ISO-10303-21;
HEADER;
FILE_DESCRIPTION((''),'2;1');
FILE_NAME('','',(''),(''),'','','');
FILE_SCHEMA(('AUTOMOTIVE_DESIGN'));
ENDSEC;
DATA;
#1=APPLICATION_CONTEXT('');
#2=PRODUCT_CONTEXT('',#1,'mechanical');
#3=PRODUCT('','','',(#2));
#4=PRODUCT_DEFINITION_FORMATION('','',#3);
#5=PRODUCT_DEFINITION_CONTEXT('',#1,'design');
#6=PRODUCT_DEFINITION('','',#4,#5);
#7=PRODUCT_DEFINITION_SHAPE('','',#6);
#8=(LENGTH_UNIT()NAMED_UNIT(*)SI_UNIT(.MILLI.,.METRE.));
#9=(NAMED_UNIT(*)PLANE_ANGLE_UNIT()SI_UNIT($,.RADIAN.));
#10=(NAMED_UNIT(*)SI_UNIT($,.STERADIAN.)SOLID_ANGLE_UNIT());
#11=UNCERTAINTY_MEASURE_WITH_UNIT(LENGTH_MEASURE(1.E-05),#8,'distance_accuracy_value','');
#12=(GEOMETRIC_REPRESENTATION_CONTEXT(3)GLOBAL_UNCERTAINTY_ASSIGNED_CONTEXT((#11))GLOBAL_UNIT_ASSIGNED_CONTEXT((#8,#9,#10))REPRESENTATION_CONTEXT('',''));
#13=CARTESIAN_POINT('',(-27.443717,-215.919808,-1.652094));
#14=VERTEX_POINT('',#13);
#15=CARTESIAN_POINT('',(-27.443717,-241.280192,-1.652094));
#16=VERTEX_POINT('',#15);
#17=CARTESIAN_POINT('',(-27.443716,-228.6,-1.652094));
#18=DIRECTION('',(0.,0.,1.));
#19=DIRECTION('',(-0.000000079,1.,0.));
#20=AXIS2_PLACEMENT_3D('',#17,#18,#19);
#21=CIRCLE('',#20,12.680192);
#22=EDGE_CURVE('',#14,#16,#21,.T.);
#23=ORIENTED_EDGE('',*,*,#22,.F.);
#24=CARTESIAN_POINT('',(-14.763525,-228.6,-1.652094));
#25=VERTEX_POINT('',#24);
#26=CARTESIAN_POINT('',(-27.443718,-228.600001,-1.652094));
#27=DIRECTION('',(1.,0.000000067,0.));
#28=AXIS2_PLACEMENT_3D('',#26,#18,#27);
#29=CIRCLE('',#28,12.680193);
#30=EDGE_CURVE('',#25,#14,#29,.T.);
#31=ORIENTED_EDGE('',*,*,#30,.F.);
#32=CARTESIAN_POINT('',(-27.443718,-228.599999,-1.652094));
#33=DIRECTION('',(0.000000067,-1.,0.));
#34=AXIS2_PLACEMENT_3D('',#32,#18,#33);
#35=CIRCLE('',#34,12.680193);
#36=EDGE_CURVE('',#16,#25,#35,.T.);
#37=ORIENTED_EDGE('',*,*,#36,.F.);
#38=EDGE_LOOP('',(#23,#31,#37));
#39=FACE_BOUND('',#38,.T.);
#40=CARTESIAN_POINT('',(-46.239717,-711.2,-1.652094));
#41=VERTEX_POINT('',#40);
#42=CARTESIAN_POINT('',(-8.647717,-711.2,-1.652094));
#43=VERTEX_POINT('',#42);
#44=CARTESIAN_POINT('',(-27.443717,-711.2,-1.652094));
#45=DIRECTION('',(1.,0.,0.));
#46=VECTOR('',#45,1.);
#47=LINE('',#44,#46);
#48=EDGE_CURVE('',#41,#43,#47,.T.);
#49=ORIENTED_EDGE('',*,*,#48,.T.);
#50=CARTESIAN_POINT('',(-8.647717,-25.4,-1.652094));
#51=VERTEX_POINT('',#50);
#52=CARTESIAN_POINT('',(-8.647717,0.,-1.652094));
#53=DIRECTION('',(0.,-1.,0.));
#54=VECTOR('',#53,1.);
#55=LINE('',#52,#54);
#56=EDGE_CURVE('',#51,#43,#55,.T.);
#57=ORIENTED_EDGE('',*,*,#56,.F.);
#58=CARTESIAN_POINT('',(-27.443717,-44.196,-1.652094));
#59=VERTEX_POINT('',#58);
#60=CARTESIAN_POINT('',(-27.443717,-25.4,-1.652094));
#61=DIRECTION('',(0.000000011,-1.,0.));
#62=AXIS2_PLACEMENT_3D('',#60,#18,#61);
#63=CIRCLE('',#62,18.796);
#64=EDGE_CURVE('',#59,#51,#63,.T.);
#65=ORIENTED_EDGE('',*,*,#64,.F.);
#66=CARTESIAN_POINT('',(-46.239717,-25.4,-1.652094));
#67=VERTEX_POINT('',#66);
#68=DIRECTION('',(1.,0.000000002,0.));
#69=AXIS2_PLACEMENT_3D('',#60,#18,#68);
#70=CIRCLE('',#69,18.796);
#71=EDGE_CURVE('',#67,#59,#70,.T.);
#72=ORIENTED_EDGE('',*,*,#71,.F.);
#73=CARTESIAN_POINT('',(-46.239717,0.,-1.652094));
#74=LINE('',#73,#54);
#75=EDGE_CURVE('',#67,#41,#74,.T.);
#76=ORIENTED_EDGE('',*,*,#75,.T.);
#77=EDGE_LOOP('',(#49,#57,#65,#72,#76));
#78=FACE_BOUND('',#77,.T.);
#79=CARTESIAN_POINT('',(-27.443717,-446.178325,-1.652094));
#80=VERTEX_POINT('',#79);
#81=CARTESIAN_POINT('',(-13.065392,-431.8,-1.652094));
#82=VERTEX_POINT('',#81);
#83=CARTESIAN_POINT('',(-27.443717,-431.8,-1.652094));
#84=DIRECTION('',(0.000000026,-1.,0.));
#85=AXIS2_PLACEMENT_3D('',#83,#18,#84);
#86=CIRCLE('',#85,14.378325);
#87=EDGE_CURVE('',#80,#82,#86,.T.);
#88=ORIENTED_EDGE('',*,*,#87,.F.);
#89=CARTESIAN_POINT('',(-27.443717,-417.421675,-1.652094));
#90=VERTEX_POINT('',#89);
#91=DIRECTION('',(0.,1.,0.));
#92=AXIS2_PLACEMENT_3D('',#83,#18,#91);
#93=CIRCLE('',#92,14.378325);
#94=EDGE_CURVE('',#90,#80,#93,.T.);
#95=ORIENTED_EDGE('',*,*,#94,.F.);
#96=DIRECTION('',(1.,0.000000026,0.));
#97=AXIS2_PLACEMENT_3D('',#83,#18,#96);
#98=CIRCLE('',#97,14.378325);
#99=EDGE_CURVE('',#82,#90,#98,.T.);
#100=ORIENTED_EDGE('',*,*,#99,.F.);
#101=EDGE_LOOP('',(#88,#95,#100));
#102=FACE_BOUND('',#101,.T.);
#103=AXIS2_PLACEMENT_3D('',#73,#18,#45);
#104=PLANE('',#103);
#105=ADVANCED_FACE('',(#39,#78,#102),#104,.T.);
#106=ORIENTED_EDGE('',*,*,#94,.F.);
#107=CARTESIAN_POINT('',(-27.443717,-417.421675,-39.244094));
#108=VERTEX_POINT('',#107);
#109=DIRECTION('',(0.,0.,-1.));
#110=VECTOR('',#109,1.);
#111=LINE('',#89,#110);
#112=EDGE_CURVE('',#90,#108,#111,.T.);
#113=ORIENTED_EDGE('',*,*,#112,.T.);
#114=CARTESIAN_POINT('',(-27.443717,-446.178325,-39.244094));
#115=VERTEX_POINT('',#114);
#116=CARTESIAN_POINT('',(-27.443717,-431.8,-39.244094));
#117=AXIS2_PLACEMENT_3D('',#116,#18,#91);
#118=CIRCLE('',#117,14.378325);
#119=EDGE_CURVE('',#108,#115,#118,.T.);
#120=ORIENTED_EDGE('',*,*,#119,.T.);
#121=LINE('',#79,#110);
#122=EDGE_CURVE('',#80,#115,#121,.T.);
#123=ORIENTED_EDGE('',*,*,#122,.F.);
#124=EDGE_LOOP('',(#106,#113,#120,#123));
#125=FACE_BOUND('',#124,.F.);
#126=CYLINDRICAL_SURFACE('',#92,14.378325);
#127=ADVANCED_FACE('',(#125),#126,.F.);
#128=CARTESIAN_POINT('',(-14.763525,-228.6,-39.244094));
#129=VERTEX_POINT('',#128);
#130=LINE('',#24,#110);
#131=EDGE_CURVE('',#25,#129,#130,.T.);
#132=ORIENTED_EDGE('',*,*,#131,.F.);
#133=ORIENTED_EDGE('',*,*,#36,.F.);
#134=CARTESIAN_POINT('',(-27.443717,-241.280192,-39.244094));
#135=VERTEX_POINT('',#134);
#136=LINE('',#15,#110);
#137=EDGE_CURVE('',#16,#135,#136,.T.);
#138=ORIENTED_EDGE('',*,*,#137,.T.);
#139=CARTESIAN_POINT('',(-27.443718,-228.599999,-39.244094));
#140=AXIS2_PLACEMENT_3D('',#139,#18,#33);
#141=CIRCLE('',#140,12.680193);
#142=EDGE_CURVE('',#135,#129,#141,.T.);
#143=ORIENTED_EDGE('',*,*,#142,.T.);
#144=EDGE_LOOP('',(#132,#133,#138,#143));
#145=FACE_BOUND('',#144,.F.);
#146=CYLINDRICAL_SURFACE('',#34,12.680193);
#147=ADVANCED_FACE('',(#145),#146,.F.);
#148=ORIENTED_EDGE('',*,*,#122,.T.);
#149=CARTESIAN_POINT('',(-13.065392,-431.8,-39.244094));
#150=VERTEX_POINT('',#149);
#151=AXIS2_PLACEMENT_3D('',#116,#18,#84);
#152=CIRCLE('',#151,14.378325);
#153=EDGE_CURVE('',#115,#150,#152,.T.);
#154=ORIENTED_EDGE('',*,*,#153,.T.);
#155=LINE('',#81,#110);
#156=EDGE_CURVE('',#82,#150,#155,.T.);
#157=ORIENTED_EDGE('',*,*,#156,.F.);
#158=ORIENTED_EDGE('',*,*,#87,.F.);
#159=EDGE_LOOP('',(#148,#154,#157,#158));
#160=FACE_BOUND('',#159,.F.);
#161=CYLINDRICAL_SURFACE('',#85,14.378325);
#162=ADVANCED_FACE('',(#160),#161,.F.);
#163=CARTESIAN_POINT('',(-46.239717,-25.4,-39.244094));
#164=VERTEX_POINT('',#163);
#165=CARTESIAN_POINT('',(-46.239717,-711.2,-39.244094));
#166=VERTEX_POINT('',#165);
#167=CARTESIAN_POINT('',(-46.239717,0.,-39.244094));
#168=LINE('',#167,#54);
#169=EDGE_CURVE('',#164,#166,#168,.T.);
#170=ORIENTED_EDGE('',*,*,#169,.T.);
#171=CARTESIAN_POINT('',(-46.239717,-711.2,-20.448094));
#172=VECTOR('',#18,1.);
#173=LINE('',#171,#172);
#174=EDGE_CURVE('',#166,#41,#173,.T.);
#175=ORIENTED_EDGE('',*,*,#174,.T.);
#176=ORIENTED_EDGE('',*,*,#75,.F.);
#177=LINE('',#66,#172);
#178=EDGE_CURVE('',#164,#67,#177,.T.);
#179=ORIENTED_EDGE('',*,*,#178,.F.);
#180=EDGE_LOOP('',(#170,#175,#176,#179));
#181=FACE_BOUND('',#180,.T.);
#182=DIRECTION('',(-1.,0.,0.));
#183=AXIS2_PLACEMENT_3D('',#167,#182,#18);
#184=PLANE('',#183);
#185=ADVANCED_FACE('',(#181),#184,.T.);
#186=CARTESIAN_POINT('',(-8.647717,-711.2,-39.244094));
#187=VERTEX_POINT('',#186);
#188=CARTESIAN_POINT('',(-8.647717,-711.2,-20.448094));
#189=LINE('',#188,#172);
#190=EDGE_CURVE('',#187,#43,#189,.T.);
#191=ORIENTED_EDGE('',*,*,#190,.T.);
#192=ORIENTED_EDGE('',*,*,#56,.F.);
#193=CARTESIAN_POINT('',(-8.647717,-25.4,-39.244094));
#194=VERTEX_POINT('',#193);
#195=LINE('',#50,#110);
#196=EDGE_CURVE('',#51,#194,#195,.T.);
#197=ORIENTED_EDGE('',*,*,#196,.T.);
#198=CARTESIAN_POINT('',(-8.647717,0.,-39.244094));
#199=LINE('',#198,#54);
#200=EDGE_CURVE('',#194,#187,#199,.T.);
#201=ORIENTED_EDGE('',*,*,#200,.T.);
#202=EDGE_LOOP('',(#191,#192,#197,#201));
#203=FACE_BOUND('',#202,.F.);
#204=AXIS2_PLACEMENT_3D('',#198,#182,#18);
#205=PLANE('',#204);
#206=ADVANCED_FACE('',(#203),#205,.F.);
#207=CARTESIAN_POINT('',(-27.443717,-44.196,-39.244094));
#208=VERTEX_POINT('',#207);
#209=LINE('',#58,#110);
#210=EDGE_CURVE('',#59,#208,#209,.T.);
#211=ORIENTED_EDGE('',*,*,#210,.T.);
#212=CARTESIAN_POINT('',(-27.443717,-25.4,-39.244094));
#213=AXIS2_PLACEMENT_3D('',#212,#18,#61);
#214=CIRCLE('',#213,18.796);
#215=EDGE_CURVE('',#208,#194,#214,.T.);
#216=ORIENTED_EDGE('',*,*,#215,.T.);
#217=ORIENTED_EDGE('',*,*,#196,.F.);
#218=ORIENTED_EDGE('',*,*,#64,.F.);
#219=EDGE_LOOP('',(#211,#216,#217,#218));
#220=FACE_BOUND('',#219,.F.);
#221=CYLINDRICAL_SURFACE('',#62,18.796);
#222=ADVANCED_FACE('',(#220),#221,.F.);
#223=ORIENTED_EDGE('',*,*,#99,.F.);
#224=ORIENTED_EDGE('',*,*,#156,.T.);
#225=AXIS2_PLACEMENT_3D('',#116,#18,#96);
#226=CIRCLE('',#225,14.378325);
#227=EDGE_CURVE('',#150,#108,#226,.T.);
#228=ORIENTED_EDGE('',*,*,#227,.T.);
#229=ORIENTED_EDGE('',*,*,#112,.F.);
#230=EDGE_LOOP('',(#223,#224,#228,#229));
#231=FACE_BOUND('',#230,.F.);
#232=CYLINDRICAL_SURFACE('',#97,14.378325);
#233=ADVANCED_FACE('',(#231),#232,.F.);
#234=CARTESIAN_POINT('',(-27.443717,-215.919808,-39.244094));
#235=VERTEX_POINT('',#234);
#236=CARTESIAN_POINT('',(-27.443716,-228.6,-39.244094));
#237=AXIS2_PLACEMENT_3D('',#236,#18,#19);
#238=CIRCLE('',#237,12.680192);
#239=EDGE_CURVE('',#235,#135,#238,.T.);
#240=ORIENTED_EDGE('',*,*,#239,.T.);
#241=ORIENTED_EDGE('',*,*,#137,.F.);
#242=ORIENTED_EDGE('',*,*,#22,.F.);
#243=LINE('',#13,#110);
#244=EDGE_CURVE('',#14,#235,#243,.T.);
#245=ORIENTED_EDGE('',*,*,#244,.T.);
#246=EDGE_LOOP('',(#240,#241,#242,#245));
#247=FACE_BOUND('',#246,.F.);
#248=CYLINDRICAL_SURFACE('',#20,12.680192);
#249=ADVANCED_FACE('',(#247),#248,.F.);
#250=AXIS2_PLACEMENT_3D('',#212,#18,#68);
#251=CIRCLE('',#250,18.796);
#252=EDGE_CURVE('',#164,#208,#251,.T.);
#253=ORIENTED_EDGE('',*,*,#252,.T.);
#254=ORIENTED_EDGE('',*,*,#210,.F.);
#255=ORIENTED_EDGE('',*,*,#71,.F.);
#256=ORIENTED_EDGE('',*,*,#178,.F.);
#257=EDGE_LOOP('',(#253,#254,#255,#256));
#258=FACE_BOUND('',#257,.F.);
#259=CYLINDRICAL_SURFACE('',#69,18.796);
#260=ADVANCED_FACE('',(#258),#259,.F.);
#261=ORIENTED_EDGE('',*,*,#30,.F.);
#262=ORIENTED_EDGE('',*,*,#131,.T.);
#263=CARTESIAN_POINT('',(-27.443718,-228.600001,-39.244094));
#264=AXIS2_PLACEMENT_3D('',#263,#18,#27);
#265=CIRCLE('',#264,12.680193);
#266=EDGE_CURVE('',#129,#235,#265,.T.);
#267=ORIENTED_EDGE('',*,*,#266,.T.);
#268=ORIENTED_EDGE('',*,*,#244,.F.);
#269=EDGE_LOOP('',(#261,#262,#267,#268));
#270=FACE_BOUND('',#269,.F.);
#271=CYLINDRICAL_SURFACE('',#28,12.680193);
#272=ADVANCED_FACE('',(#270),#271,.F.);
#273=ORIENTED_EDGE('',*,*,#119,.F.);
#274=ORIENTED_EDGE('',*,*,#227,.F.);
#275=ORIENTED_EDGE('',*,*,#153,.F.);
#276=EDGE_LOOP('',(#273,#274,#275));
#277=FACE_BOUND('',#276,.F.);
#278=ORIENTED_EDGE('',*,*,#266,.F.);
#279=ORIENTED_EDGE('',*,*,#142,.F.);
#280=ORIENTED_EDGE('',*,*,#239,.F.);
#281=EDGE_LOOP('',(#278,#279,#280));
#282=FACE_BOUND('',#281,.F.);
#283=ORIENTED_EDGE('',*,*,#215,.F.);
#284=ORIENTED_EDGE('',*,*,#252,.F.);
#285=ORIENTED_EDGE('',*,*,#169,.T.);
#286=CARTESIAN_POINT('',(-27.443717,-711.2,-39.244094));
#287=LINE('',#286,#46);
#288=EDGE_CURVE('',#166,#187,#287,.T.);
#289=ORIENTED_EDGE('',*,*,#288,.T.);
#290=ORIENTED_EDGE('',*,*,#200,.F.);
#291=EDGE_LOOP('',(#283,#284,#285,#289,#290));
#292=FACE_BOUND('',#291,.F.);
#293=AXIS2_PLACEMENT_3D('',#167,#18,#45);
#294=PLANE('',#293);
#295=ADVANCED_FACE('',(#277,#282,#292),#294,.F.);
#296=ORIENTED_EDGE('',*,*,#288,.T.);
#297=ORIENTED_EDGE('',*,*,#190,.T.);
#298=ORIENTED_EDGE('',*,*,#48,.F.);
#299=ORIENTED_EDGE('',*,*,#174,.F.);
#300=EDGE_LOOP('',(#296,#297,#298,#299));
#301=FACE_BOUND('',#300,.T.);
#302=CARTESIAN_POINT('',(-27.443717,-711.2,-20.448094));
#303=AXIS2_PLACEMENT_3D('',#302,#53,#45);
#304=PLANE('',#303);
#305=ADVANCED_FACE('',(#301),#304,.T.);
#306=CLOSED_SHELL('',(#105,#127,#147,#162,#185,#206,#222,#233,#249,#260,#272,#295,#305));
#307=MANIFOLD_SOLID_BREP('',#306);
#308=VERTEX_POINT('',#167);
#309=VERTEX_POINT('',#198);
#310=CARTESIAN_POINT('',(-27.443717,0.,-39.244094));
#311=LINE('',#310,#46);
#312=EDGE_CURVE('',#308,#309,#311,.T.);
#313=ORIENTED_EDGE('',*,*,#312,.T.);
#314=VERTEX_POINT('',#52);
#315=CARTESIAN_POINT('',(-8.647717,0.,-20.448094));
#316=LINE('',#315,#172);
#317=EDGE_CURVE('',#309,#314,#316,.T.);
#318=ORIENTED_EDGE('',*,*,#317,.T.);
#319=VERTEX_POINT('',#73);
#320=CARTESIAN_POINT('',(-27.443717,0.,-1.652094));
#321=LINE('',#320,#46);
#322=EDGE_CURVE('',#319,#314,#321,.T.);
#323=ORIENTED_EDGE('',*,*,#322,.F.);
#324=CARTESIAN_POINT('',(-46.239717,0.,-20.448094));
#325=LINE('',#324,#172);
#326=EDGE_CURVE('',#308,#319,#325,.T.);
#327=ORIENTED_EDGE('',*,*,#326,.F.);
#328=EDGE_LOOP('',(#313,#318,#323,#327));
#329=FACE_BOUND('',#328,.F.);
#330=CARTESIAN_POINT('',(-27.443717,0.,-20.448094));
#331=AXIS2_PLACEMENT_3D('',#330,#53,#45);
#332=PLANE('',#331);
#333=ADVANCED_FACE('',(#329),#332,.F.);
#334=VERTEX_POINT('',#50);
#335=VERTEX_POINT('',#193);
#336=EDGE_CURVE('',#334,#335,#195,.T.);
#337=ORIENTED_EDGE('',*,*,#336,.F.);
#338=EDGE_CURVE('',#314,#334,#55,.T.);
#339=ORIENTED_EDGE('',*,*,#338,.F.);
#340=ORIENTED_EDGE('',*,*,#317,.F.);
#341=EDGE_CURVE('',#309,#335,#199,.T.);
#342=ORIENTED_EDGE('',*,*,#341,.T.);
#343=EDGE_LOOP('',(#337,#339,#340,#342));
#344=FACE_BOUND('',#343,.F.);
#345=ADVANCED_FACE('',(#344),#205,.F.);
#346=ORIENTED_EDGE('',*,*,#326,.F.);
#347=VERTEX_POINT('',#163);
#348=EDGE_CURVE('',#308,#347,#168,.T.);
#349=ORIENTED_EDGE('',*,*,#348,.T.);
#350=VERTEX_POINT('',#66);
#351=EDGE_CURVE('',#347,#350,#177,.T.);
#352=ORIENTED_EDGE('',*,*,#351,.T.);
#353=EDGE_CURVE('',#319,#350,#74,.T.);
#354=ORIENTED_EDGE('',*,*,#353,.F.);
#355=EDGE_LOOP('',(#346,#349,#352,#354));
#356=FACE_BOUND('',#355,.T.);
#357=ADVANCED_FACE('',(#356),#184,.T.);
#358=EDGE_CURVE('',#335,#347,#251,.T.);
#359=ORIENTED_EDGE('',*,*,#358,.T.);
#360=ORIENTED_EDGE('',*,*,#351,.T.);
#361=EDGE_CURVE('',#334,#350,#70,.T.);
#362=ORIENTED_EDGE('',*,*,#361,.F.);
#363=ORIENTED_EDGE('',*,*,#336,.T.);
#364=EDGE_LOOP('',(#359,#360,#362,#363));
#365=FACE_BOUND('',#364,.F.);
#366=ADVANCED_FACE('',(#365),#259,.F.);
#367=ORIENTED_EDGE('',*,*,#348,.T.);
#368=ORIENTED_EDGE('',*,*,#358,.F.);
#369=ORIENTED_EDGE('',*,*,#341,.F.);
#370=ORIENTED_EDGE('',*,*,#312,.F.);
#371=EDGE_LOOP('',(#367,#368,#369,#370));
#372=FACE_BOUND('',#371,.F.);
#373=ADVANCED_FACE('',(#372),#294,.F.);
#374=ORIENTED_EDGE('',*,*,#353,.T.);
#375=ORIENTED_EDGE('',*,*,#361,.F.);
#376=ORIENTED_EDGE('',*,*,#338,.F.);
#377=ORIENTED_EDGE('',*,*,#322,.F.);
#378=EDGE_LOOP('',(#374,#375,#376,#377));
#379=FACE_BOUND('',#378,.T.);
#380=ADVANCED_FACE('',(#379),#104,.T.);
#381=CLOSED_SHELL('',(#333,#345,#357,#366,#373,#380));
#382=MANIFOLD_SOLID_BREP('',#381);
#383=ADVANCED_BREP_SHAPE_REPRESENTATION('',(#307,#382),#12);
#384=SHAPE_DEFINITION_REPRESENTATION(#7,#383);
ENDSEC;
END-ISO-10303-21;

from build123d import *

# Parameters (mm, degrees)
F0_W     = 37.592
F0_H     = 37.592
F1_DEPTH = 711.2
F3_DEPTH = 37.593


with BuildPart() as f1:
    # F0 (on Front) → F1 (new body)
    with BuildSketch(Plane.XZ):
        with Locations((-27.443717, -20.448094)):
            Rectangle(F0_W, F0_H)
    extrude(amount=F1_DEPTH)

    # F2 (on face) → F3 (cut, through all)
    with BuildSketch(Plane.XY.offset(-1.652094)):
        with BuildLine():
            ThreePointArc((-27.443717, -417.421675), (-41.822042, -431.8), (-27.443717, -446.178325))
            Line((-27.443717, -446.178325), (-27.443717, -431.8))
            Line((-27.443717, -431.8), (-27.443717, -417.421675))
        make_face()
        with BuildLine():
            Line((-27.443717, -431.8), (-27.443717, -446.178325))
            ThreePointArc((-27.443717, -446.178325), (-17.276706, -441.967011), (-13.065392, -431.8))
            ThreePointArc((-13.065392, -431.8), (-17.276706, -421.632989), (-27.443717, -417.421675))
            Line((-27.443717, -417.421675), (-27.443717, -431.8))
        make_face()
        with BuildLine():
            ThreePointArc((-27.443717, -241.280192), (-18.477467, -237.566249), (-14.763525, -228.6))
            ThreePointArc((-14.763525, -228.6), (-18.477467, -219.633751), (-27.443717, -215.919808))
            Line((-27.443717, -215.919808), (-27.443717, -228.6))
            Line((-27.443717, -228.6), (-27.443717, -241.280192))
        make_face()
        with BuildLine():
            Line((-27.443717, -228.6), (-27.443717, -215.919808))
            ThreePointArc((-27.443717, -215.919808), (-40.123908, -228.6), (-27.443717, -241.280192))
            Line((-27.443717, -241.280192), (-27.443717, -228.6))
        make_face()
        with BuildLine():
            ThreePointArc((-27.443717, -44.196), (-14.152938, -38.690779), (-8.647717, -25.4))
            ThreePointArc((-8.647717, -25.4), (-40.734496, -12.109221), (-27.443717, -44.196))
        make_face()
    extrude(amount=-F3_DEPTH, mode=Mode.SUBTRACT)


solid = f1.part
